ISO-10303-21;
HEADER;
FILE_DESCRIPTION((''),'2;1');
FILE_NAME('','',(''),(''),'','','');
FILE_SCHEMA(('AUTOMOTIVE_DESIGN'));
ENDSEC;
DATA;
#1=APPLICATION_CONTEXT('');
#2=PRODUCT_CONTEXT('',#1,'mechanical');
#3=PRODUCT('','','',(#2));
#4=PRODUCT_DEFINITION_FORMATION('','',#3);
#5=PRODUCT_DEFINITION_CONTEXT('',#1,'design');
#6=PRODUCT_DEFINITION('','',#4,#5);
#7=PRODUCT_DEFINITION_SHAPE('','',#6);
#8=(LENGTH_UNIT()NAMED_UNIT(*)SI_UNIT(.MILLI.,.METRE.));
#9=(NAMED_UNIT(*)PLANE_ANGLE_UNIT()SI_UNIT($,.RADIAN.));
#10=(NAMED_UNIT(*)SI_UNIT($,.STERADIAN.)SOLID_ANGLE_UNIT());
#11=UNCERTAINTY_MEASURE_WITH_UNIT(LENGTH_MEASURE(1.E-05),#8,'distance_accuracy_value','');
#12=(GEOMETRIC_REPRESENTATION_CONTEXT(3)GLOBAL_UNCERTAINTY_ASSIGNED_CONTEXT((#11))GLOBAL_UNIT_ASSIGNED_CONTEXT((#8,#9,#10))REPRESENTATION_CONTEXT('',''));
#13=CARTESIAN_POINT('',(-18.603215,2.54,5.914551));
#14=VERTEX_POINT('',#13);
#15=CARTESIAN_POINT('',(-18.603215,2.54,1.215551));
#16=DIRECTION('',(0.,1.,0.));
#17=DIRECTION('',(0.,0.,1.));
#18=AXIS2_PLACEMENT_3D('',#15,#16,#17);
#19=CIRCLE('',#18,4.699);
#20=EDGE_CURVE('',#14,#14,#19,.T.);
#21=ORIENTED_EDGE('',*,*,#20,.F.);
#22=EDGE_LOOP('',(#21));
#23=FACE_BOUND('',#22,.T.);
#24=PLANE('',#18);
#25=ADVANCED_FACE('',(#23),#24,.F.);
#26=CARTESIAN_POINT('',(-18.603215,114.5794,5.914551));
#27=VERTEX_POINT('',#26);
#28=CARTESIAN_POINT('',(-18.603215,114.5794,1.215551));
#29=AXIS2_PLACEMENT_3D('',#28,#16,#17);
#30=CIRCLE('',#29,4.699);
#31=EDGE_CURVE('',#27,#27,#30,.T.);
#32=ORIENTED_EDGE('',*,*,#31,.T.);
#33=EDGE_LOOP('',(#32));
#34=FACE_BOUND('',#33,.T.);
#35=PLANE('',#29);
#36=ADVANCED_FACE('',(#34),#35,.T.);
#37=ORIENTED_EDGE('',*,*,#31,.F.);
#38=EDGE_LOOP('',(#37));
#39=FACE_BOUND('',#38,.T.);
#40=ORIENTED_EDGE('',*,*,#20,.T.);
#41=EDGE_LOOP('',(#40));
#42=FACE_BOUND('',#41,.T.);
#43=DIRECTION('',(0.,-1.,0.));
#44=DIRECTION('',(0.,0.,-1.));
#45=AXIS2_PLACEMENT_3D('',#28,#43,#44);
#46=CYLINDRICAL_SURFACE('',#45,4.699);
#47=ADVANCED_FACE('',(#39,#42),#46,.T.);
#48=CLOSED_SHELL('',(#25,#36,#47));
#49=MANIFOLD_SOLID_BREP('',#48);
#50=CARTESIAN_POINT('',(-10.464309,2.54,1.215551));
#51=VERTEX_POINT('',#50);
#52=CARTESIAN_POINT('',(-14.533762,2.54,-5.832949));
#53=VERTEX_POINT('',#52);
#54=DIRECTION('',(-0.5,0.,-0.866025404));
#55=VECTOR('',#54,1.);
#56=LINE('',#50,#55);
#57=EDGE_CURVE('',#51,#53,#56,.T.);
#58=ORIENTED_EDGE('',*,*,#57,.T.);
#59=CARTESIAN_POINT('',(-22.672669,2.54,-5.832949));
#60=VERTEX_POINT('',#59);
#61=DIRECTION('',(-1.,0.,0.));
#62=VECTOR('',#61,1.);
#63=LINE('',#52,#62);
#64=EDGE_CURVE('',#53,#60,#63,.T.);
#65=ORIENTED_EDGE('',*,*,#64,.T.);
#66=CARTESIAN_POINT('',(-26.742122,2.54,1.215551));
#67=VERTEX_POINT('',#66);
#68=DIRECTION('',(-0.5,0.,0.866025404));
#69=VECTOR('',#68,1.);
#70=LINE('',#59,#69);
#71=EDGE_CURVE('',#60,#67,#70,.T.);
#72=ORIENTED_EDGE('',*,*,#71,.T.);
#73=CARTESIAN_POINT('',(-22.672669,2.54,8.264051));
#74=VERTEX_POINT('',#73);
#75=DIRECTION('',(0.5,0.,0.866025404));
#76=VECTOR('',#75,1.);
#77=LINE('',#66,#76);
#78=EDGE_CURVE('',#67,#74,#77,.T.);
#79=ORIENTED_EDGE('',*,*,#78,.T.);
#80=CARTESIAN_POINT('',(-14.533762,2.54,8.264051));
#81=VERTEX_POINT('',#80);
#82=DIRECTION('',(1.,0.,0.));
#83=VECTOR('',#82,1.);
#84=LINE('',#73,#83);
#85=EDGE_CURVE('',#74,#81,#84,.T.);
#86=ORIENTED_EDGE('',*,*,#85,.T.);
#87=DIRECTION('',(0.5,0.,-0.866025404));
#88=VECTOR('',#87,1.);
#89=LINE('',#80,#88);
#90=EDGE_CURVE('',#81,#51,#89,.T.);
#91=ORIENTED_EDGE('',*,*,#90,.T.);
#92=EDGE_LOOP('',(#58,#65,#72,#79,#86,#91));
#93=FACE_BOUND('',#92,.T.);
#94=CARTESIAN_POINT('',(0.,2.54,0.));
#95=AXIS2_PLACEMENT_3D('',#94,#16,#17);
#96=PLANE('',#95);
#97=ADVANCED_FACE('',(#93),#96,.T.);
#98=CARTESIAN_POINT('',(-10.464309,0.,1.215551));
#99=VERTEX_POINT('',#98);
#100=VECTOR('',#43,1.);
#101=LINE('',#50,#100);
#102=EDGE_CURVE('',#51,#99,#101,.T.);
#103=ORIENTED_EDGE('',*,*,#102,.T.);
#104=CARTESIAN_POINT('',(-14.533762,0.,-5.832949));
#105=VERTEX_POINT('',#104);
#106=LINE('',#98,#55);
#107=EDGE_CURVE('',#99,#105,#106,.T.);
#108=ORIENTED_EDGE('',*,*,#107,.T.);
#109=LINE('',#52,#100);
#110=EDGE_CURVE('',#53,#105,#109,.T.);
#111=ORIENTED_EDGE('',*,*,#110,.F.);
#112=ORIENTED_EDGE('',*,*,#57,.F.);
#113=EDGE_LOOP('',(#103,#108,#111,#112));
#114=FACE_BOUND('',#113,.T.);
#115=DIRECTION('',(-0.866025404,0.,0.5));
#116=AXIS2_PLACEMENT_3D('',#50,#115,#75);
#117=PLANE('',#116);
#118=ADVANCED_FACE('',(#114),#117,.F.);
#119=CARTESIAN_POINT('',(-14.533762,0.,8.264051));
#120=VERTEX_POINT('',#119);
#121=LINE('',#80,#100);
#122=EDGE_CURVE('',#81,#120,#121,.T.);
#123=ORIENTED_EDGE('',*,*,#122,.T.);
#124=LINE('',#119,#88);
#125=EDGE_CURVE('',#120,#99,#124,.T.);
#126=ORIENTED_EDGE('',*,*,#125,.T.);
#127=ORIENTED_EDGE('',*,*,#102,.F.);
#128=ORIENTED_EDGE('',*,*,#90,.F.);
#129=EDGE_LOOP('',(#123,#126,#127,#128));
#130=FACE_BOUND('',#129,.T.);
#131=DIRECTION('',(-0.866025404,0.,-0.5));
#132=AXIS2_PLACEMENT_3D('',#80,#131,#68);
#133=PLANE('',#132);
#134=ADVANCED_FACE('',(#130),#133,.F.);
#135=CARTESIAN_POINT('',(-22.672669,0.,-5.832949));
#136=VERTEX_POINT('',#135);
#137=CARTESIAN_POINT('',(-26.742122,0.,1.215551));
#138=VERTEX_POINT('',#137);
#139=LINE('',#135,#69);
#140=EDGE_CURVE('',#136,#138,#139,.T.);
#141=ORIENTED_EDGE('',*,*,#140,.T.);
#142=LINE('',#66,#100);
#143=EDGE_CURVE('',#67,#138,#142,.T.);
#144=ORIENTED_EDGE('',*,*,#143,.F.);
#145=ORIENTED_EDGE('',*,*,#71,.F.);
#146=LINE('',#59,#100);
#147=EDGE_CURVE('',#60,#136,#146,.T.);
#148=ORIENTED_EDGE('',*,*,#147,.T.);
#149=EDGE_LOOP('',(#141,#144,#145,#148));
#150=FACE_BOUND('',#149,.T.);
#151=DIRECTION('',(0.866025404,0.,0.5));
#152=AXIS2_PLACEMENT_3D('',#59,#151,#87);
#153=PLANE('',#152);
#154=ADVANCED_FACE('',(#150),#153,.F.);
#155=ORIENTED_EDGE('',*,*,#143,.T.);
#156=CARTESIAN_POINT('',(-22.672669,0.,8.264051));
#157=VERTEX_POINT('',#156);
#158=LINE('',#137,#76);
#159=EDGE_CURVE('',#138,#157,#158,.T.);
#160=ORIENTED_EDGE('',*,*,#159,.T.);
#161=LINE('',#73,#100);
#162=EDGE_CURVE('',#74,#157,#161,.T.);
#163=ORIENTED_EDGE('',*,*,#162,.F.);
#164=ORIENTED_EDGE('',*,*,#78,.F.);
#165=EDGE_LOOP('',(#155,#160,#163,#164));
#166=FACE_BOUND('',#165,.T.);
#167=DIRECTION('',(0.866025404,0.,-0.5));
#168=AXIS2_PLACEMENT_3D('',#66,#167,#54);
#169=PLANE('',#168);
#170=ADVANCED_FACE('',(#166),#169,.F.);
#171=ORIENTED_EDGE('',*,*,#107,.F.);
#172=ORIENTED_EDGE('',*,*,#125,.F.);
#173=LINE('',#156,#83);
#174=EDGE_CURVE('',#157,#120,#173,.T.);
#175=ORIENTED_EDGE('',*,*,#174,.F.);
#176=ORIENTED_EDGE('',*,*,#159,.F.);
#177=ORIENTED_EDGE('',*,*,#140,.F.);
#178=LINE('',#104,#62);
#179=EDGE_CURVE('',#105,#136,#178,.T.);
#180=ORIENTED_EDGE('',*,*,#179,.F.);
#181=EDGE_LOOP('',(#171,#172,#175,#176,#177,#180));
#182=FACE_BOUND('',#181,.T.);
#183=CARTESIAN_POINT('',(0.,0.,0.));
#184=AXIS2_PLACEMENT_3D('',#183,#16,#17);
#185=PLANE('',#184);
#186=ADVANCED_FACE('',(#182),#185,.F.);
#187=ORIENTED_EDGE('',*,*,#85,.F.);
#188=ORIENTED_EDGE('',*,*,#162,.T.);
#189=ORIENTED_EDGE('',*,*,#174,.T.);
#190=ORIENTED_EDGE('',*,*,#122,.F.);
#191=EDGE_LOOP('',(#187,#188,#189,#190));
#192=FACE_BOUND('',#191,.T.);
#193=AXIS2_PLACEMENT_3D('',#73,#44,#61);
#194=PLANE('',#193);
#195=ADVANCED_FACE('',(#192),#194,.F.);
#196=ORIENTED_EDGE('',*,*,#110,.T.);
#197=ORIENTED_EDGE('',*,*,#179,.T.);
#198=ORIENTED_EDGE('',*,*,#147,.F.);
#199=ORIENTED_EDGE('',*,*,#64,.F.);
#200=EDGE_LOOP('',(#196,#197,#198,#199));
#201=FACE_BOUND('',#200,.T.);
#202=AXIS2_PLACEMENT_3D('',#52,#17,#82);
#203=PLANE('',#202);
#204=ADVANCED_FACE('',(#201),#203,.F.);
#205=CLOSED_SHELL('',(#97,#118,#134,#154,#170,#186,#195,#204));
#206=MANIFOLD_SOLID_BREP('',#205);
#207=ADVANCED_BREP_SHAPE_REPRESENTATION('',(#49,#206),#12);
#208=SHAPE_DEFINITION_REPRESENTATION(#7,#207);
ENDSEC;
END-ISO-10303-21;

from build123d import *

# Parameters (mm, degrees)
BOSS_EXTRUDE1_DEPTH = 2.54
SKETCH2_R           = 4.699
BOSS_EXTRUDE2_DEPTH = 112.0394


with BuildPart() as part:
    # Sketch1 → Boss-Extrude1 (new body)
    with BuildSketch(Plane(origin=(0, 0, 0), x_dir=(1, 0, 0), z_dir=(0, 1, 0))):
        Polygon((-10.464308672, -1.215551007), (-14.533762044, 5.832948993), (-22.672668789, 5.832948993), (-26.742122161, -1.215551007), (-22.672668789, -8.264051007), (-14.533762044, -8.264051007), align=None)
    extrude(amount=BOSS_EXTRUDE1_DEPTH)


with BuildPart() as body_2:
    # Sketch2 → Boss-Extrude2 (new body)
    with BuildSketch(Plane(origin=(0, 2.54, 0), x_dir=(1, 0, 0), z_dir=(0, 1, 0))):
        with Locations(Location((-18.603215417, -1.215551007, 0), (0, 0, 270))):
            Circle(SKETCH2_R)
    extrude(amount=BOSS_EXTRUDE2_DEPTH)


solid = Compound([part.part, body_2.part])
